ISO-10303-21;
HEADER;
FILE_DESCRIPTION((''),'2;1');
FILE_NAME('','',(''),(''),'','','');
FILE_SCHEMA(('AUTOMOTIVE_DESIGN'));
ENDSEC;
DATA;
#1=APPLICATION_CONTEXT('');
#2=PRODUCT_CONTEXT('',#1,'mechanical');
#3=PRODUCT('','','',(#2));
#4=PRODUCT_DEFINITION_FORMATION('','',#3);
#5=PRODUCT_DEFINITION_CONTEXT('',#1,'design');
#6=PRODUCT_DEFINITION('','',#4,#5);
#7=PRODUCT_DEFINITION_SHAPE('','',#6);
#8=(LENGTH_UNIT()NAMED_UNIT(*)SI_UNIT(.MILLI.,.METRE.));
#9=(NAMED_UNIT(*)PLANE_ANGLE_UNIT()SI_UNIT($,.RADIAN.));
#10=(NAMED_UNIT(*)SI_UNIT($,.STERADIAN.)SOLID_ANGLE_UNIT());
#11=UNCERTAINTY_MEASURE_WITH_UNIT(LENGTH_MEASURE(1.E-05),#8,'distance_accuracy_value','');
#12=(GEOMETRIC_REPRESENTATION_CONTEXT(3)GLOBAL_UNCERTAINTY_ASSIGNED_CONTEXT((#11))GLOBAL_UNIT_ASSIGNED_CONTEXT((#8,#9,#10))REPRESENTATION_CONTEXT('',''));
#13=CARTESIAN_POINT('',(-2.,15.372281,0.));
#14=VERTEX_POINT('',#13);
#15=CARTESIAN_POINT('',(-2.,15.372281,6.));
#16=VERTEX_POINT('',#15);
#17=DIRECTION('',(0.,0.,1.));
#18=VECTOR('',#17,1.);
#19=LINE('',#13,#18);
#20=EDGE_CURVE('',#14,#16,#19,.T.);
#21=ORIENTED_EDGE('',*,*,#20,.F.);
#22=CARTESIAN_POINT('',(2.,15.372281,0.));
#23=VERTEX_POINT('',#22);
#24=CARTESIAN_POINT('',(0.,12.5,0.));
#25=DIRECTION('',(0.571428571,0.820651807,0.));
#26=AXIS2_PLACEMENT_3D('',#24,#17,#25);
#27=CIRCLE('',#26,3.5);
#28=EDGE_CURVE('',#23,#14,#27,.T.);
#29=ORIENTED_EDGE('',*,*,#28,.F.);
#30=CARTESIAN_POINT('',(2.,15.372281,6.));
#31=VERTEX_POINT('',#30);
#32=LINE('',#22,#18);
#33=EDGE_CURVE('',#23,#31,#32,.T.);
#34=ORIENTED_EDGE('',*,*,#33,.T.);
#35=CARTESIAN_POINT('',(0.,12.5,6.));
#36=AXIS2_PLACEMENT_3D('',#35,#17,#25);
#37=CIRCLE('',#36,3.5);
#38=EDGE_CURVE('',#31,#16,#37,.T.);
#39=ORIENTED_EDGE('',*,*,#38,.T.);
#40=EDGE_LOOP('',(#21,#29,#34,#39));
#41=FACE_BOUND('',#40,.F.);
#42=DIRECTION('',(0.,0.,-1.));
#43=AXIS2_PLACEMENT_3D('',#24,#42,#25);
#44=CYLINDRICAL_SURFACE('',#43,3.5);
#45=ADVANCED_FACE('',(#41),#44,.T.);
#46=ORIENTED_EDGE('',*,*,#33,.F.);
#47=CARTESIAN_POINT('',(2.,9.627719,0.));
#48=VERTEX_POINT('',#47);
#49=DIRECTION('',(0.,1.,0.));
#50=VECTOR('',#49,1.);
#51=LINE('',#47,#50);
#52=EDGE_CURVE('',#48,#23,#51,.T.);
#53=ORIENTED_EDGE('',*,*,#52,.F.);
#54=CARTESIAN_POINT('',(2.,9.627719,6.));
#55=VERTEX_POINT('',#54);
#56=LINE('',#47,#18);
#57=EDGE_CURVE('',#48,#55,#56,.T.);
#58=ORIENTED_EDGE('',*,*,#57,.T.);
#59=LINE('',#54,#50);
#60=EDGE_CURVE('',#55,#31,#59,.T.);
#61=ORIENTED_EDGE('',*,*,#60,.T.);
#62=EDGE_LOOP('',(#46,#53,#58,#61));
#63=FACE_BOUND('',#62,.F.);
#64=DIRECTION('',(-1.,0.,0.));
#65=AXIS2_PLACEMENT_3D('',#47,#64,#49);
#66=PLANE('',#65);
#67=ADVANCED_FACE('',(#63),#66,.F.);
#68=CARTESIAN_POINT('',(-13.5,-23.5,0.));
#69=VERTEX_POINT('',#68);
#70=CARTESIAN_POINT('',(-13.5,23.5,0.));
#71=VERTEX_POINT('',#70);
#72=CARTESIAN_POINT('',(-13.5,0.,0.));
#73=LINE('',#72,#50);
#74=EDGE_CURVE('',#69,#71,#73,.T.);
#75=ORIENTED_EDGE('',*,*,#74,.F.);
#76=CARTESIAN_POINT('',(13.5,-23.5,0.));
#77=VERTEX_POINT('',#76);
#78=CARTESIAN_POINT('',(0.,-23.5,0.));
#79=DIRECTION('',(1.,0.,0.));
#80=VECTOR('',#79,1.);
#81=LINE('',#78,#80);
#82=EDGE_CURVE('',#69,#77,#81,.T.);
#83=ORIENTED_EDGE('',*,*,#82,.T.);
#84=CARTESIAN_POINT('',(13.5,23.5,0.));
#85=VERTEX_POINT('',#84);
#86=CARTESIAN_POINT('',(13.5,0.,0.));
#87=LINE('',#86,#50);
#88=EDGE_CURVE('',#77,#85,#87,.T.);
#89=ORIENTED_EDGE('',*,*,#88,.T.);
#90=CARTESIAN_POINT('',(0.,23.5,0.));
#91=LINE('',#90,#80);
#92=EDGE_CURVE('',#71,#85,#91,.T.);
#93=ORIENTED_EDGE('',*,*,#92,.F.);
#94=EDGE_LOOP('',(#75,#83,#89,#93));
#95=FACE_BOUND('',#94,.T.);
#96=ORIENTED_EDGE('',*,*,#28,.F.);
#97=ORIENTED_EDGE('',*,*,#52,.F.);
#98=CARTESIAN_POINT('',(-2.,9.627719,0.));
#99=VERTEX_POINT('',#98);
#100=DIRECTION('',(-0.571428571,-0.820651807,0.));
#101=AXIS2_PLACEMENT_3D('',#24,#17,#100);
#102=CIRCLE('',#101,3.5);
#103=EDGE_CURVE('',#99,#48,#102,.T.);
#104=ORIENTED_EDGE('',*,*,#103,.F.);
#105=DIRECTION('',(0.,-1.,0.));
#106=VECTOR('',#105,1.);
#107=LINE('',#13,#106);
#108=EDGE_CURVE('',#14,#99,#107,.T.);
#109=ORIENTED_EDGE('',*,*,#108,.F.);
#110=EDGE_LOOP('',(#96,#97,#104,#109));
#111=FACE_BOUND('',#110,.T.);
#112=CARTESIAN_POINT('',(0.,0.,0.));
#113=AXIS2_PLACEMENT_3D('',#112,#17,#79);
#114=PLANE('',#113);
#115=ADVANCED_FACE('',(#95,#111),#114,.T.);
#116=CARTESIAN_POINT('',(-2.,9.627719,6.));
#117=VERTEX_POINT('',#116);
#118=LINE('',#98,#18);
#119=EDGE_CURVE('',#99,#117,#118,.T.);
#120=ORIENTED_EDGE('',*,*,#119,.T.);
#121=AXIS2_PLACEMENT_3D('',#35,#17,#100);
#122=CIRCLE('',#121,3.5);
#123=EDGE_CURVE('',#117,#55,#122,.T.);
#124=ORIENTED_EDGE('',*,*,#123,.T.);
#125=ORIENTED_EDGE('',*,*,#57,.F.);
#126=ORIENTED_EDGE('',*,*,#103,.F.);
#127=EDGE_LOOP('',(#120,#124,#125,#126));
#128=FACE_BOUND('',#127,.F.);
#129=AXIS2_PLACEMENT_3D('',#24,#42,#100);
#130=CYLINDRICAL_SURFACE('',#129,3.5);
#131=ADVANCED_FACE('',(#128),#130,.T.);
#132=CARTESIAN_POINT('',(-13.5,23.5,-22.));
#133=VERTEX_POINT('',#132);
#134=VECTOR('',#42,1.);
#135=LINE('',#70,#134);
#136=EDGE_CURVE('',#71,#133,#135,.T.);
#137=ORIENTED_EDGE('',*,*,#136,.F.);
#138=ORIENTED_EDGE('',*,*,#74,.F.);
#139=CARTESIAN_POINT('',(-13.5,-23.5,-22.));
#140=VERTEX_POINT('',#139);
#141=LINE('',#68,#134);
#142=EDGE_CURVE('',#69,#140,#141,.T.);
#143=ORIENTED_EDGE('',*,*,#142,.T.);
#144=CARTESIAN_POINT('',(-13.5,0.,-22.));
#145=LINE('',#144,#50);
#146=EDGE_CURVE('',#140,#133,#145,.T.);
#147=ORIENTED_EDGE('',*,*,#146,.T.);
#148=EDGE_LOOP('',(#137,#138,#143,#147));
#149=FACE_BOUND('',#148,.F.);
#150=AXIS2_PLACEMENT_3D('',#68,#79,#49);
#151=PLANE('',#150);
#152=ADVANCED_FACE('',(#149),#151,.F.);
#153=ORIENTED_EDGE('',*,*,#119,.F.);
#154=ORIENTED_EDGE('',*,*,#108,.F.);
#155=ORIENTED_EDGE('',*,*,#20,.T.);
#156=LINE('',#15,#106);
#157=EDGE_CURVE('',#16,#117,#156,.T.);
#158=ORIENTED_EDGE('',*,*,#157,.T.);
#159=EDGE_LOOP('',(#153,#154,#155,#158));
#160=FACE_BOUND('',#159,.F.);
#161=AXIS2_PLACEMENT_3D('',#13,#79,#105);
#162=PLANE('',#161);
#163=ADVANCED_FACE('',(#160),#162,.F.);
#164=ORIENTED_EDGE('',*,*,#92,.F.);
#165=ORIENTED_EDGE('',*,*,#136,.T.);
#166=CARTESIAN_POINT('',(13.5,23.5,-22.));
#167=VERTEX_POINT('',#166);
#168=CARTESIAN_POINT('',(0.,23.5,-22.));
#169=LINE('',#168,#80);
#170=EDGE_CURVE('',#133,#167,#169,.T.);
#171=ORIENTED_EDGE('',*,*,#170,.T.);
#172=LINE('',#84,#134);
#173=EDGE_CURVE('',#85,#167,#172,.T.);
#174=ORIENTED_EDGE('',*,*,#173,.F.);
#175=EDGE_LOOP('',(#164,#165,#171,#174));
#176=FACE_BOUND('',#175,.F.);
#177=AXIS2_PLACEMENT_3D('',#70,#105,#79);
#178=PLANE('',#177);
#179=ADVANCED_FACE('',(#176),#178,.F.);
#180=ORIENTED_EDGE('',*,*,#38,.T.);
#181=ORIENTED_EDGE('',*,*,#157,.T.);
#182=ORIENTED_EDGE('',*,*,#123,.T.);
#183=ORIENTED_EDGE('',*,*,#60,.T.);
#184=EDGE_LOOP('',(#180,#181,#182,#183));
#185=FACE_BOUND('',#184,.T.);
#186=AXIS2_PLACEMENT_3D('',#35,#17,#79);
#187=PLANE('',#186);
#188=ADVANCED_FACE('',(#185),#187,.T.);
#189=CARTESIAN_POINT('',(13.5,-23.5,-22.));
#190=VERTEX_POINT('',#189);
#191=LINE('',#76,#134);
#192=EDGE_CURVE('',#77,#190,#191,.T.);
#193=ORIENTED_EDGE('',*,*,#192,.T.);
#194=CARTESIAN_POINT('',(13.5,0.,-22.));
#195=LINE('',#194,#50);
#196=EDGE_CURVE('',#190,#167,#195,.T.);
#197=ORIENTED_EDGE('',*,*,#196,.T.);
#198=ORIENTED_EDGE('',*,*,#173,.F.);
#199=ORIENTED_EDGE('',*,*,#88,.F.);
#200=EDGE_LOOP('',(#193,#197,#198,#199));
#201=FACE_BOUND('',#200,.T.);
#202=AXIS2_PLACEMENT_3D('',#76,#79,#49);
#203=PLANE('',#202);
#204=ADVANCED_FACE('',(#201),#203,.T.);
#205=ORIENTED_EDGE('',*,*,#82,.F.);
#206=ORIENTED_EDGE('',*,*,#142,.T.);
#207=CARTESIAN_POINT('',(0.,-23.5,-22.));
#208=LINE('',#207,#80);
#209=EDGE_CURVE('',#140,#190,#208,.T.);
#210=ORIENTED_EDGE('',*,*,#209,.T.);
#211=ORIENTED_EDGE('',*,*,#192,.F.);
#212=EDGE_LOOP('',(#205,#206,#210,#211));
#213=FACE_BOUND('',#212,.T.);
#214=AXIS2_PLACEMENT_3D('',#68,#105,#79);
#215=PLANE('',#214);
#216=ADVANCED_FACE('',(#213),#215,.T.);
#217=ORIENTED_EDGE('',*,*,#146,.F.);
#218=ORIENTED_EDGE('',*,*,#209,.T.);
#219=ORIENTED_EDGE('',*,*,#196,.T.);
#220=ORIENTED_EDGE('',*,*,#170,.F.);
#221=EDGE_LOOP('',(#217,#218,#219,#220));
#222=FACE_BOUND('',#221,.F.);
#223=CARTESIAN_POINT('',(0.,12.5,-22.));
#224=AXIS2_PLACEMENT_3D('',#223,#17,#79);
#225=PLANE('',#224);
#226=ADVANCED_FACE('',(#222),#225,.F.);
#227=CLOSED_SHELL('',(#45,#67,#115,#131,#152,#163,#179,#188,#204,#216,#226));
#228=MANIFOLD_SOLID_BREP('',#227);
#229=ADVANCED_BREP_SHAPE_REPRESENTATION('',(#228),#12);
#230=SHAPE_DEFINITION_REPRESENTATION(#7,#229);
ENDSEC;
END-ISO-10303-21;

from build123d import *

# Parameters (mm, degrees)
F1_DEPTH = 6
F0_W     = 27
F0_H     = 47
F0_R     = 9.5
F2_DEPTH = 22
F3_DEPTH = 22


with BuildPart() as f1:
    # F0 (on Top) → F1 (new body)
    with BuildSketch(Plane.XY):
        with BuildLine():
            Line((2, 9.6277186767), (2, 15.3722813233))
            ThreePointArc((2, 15.3722813233), (0, 16), (-2, 15.3722813233))
            Line((-2, 15.3722813233), (-2, 9.6277186767))
            ThreePointArc((-2, 9.6277186767), (0, 9), (2, 9.6277186767))
        make_face()
    extrude(amount=F1_DEPTH)

    # F0 (on Top) → F2 (join)
    with BuildSketch(Plane.XY):
        Rectangle(F0_W, F0_H)
        with Locations((0, 12.5)):
            Circle(F0_R, mode=Mode.SUBTRACT)
        with Locations((0, 12.5)):
            Circle(F0_R)
        with BuildLine():
            ThreePointArc((2, 15.3722813233), (3.1024184115, 14.1201851746), (3.5, 12.5))
            ThreePointArc((3.5, 12.5), (3.1024184115, 10.8798148254), (2, 9.6277186767))
            ThreePointArc((2, 9.6277186767), (0, 9), (-2, 9.6277186767))
            ThreePointArc((-2, 9.6277186767), (-3.5, 12.5), (-2, 15.3722813233))
            ThreePointArc((-2, 15.3722813233), (0, 16), (2, 15.3722813233))
        make_face(mode=Mode.SUBTRACT)
        with BuildLine():
            Line((-2, 9.6277186767), (-2, 15.3722813233))
            ThreePointArc((-2, 15.3722813233), (-3.5, 12.5), (-2, 9.6277186767))
        make_face()
        with BuildLine():
            ThreePointArc((2, 9.6277186767), (3.1024184115, 10.8798148254), (3.5, 12.5))
            ThreePointArc((3.5, 12.5), (3.1024184115, 14.1201851746), (2, 15.3722813233))
            Line((2, 15.3722813233), (2, 9.6277186767))
        make_face()
    extrude(amount=-F2_DEPTH)

    # F0 (on Top) → F3 (join)
    with BuildSketch(Plane.XY):
        with BuildLine():
            Line((2, 9.6277186767), (2, 15.3722813233))
            ThreePointArc((2, 15.3722813233), (0, 16), (-2, 15.3722813233))
            Line((-2, 15.3722813233), (-2, 9.6277186767))
            ThreePointArc((-2, 9.6277186767), (0, 9), (2, 9.6277186767))
        make_face()
    extrude(amount=-F3_DEPTH)


solid = f1.part
